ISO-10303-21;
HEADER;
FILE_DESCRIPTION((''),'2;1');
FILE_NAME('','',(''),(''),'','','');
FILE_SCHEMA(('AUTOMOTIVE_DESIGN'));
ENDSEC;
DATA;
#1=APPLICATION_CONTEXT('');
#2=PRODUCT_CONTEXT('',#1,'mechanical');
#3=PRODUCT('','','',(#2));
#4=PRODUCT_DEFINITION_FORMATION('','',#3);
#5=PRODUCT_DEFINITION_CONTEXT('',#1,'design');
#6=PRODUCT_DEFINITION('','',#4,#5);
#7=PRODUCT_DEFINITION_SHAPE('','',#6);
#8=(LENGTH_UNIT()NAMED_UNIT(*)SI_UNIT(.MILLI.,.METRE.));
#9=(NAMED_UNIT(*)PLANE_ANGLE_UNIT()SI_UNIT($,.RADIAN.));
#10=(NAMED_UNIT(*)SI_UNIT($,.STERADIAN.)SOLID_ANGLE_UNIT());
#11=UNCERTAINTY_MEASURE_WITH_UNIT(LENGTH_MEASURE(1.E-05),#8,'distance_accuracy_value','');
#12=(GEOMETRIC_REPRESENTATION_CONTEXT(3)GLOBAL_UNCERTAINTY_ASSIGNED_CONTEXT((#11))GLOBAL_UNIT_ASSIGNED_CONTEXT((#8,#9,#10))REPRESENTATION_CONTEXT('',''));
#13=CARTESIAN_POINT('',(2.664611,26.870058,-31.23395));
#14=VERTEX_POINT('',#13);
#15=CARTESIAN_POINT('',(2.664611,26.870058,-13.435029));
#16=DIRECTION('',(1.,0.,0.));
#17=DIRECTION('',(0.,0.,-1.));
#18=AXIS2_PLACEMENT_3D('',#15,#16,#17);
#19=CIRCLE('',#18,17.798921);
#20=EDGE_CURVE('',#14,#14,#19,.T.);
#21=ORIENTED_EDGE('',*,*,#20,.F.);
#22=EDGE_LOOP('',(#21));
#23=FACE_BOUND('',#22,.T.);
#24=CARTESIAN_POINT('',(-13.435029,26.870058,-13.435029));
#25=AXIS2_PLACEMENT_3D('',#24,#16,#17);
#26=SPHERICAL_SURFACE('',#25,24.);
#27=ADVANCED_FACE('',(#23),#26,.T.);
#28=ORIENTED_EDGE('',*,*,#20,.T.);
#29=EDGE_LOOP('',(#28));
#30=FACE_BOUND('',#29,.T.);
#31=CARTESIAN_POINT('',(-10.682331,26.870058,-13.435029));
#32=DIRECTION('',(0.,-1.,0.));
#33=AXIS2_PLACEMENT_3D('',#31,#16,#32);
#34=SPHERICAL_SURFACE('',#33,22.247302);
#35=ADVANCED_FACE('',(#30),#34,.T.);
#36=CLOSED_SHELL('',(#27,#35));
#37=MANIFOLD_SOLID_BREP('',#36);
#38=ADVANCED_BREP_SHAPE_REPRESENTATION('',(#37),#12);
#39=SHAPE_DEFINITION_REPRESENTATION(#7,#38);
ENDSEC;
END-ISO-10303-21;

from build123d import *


with BuildPart() as part:
    # Эскиз5 → Повернуть1 (revolve)
    with BuildSketch(Plane(origin=(-13.435028843, 0, 0), x_dir=(0, 0, -1), z_dir=(1, 0, 0))):
        with BuildLine():
            Line((-10.564971157, 26.870057685), (37.435028843, 26.870057685))
            ThreePointArc((37.435028843, 26.870057685), (13.435028843, 50.870057685), (-10.564971157, 26.870057685))
        make_face()
    revolve(axis=Axis((-13.435028843, 26.870057685, 10.564971157), (0, 0, -1)))

    # Эскиз6 → Повернуть5 (revolve)
    with BuildSketch(Plane.XY.offset(-13.435028843)):
        with BuildLine():
            Line((11.564971157, 26.870057685), (10.564971157, 26.870057685))
            ThreePointArc((10.564971157, 26.870057685), (8.50114391, 36.606808939), (2.664610742, 44.668979148))
            ThreePointArc((2.664610742, 44.668979148), (9.215858607, 36.820158448), (11.564971157, 26.870057685))
        make_face()
    revolve(axis=Axis((11.564971157, 26.870057685, -13.435028843), (-1, 0, 0)))


solid = part.part
